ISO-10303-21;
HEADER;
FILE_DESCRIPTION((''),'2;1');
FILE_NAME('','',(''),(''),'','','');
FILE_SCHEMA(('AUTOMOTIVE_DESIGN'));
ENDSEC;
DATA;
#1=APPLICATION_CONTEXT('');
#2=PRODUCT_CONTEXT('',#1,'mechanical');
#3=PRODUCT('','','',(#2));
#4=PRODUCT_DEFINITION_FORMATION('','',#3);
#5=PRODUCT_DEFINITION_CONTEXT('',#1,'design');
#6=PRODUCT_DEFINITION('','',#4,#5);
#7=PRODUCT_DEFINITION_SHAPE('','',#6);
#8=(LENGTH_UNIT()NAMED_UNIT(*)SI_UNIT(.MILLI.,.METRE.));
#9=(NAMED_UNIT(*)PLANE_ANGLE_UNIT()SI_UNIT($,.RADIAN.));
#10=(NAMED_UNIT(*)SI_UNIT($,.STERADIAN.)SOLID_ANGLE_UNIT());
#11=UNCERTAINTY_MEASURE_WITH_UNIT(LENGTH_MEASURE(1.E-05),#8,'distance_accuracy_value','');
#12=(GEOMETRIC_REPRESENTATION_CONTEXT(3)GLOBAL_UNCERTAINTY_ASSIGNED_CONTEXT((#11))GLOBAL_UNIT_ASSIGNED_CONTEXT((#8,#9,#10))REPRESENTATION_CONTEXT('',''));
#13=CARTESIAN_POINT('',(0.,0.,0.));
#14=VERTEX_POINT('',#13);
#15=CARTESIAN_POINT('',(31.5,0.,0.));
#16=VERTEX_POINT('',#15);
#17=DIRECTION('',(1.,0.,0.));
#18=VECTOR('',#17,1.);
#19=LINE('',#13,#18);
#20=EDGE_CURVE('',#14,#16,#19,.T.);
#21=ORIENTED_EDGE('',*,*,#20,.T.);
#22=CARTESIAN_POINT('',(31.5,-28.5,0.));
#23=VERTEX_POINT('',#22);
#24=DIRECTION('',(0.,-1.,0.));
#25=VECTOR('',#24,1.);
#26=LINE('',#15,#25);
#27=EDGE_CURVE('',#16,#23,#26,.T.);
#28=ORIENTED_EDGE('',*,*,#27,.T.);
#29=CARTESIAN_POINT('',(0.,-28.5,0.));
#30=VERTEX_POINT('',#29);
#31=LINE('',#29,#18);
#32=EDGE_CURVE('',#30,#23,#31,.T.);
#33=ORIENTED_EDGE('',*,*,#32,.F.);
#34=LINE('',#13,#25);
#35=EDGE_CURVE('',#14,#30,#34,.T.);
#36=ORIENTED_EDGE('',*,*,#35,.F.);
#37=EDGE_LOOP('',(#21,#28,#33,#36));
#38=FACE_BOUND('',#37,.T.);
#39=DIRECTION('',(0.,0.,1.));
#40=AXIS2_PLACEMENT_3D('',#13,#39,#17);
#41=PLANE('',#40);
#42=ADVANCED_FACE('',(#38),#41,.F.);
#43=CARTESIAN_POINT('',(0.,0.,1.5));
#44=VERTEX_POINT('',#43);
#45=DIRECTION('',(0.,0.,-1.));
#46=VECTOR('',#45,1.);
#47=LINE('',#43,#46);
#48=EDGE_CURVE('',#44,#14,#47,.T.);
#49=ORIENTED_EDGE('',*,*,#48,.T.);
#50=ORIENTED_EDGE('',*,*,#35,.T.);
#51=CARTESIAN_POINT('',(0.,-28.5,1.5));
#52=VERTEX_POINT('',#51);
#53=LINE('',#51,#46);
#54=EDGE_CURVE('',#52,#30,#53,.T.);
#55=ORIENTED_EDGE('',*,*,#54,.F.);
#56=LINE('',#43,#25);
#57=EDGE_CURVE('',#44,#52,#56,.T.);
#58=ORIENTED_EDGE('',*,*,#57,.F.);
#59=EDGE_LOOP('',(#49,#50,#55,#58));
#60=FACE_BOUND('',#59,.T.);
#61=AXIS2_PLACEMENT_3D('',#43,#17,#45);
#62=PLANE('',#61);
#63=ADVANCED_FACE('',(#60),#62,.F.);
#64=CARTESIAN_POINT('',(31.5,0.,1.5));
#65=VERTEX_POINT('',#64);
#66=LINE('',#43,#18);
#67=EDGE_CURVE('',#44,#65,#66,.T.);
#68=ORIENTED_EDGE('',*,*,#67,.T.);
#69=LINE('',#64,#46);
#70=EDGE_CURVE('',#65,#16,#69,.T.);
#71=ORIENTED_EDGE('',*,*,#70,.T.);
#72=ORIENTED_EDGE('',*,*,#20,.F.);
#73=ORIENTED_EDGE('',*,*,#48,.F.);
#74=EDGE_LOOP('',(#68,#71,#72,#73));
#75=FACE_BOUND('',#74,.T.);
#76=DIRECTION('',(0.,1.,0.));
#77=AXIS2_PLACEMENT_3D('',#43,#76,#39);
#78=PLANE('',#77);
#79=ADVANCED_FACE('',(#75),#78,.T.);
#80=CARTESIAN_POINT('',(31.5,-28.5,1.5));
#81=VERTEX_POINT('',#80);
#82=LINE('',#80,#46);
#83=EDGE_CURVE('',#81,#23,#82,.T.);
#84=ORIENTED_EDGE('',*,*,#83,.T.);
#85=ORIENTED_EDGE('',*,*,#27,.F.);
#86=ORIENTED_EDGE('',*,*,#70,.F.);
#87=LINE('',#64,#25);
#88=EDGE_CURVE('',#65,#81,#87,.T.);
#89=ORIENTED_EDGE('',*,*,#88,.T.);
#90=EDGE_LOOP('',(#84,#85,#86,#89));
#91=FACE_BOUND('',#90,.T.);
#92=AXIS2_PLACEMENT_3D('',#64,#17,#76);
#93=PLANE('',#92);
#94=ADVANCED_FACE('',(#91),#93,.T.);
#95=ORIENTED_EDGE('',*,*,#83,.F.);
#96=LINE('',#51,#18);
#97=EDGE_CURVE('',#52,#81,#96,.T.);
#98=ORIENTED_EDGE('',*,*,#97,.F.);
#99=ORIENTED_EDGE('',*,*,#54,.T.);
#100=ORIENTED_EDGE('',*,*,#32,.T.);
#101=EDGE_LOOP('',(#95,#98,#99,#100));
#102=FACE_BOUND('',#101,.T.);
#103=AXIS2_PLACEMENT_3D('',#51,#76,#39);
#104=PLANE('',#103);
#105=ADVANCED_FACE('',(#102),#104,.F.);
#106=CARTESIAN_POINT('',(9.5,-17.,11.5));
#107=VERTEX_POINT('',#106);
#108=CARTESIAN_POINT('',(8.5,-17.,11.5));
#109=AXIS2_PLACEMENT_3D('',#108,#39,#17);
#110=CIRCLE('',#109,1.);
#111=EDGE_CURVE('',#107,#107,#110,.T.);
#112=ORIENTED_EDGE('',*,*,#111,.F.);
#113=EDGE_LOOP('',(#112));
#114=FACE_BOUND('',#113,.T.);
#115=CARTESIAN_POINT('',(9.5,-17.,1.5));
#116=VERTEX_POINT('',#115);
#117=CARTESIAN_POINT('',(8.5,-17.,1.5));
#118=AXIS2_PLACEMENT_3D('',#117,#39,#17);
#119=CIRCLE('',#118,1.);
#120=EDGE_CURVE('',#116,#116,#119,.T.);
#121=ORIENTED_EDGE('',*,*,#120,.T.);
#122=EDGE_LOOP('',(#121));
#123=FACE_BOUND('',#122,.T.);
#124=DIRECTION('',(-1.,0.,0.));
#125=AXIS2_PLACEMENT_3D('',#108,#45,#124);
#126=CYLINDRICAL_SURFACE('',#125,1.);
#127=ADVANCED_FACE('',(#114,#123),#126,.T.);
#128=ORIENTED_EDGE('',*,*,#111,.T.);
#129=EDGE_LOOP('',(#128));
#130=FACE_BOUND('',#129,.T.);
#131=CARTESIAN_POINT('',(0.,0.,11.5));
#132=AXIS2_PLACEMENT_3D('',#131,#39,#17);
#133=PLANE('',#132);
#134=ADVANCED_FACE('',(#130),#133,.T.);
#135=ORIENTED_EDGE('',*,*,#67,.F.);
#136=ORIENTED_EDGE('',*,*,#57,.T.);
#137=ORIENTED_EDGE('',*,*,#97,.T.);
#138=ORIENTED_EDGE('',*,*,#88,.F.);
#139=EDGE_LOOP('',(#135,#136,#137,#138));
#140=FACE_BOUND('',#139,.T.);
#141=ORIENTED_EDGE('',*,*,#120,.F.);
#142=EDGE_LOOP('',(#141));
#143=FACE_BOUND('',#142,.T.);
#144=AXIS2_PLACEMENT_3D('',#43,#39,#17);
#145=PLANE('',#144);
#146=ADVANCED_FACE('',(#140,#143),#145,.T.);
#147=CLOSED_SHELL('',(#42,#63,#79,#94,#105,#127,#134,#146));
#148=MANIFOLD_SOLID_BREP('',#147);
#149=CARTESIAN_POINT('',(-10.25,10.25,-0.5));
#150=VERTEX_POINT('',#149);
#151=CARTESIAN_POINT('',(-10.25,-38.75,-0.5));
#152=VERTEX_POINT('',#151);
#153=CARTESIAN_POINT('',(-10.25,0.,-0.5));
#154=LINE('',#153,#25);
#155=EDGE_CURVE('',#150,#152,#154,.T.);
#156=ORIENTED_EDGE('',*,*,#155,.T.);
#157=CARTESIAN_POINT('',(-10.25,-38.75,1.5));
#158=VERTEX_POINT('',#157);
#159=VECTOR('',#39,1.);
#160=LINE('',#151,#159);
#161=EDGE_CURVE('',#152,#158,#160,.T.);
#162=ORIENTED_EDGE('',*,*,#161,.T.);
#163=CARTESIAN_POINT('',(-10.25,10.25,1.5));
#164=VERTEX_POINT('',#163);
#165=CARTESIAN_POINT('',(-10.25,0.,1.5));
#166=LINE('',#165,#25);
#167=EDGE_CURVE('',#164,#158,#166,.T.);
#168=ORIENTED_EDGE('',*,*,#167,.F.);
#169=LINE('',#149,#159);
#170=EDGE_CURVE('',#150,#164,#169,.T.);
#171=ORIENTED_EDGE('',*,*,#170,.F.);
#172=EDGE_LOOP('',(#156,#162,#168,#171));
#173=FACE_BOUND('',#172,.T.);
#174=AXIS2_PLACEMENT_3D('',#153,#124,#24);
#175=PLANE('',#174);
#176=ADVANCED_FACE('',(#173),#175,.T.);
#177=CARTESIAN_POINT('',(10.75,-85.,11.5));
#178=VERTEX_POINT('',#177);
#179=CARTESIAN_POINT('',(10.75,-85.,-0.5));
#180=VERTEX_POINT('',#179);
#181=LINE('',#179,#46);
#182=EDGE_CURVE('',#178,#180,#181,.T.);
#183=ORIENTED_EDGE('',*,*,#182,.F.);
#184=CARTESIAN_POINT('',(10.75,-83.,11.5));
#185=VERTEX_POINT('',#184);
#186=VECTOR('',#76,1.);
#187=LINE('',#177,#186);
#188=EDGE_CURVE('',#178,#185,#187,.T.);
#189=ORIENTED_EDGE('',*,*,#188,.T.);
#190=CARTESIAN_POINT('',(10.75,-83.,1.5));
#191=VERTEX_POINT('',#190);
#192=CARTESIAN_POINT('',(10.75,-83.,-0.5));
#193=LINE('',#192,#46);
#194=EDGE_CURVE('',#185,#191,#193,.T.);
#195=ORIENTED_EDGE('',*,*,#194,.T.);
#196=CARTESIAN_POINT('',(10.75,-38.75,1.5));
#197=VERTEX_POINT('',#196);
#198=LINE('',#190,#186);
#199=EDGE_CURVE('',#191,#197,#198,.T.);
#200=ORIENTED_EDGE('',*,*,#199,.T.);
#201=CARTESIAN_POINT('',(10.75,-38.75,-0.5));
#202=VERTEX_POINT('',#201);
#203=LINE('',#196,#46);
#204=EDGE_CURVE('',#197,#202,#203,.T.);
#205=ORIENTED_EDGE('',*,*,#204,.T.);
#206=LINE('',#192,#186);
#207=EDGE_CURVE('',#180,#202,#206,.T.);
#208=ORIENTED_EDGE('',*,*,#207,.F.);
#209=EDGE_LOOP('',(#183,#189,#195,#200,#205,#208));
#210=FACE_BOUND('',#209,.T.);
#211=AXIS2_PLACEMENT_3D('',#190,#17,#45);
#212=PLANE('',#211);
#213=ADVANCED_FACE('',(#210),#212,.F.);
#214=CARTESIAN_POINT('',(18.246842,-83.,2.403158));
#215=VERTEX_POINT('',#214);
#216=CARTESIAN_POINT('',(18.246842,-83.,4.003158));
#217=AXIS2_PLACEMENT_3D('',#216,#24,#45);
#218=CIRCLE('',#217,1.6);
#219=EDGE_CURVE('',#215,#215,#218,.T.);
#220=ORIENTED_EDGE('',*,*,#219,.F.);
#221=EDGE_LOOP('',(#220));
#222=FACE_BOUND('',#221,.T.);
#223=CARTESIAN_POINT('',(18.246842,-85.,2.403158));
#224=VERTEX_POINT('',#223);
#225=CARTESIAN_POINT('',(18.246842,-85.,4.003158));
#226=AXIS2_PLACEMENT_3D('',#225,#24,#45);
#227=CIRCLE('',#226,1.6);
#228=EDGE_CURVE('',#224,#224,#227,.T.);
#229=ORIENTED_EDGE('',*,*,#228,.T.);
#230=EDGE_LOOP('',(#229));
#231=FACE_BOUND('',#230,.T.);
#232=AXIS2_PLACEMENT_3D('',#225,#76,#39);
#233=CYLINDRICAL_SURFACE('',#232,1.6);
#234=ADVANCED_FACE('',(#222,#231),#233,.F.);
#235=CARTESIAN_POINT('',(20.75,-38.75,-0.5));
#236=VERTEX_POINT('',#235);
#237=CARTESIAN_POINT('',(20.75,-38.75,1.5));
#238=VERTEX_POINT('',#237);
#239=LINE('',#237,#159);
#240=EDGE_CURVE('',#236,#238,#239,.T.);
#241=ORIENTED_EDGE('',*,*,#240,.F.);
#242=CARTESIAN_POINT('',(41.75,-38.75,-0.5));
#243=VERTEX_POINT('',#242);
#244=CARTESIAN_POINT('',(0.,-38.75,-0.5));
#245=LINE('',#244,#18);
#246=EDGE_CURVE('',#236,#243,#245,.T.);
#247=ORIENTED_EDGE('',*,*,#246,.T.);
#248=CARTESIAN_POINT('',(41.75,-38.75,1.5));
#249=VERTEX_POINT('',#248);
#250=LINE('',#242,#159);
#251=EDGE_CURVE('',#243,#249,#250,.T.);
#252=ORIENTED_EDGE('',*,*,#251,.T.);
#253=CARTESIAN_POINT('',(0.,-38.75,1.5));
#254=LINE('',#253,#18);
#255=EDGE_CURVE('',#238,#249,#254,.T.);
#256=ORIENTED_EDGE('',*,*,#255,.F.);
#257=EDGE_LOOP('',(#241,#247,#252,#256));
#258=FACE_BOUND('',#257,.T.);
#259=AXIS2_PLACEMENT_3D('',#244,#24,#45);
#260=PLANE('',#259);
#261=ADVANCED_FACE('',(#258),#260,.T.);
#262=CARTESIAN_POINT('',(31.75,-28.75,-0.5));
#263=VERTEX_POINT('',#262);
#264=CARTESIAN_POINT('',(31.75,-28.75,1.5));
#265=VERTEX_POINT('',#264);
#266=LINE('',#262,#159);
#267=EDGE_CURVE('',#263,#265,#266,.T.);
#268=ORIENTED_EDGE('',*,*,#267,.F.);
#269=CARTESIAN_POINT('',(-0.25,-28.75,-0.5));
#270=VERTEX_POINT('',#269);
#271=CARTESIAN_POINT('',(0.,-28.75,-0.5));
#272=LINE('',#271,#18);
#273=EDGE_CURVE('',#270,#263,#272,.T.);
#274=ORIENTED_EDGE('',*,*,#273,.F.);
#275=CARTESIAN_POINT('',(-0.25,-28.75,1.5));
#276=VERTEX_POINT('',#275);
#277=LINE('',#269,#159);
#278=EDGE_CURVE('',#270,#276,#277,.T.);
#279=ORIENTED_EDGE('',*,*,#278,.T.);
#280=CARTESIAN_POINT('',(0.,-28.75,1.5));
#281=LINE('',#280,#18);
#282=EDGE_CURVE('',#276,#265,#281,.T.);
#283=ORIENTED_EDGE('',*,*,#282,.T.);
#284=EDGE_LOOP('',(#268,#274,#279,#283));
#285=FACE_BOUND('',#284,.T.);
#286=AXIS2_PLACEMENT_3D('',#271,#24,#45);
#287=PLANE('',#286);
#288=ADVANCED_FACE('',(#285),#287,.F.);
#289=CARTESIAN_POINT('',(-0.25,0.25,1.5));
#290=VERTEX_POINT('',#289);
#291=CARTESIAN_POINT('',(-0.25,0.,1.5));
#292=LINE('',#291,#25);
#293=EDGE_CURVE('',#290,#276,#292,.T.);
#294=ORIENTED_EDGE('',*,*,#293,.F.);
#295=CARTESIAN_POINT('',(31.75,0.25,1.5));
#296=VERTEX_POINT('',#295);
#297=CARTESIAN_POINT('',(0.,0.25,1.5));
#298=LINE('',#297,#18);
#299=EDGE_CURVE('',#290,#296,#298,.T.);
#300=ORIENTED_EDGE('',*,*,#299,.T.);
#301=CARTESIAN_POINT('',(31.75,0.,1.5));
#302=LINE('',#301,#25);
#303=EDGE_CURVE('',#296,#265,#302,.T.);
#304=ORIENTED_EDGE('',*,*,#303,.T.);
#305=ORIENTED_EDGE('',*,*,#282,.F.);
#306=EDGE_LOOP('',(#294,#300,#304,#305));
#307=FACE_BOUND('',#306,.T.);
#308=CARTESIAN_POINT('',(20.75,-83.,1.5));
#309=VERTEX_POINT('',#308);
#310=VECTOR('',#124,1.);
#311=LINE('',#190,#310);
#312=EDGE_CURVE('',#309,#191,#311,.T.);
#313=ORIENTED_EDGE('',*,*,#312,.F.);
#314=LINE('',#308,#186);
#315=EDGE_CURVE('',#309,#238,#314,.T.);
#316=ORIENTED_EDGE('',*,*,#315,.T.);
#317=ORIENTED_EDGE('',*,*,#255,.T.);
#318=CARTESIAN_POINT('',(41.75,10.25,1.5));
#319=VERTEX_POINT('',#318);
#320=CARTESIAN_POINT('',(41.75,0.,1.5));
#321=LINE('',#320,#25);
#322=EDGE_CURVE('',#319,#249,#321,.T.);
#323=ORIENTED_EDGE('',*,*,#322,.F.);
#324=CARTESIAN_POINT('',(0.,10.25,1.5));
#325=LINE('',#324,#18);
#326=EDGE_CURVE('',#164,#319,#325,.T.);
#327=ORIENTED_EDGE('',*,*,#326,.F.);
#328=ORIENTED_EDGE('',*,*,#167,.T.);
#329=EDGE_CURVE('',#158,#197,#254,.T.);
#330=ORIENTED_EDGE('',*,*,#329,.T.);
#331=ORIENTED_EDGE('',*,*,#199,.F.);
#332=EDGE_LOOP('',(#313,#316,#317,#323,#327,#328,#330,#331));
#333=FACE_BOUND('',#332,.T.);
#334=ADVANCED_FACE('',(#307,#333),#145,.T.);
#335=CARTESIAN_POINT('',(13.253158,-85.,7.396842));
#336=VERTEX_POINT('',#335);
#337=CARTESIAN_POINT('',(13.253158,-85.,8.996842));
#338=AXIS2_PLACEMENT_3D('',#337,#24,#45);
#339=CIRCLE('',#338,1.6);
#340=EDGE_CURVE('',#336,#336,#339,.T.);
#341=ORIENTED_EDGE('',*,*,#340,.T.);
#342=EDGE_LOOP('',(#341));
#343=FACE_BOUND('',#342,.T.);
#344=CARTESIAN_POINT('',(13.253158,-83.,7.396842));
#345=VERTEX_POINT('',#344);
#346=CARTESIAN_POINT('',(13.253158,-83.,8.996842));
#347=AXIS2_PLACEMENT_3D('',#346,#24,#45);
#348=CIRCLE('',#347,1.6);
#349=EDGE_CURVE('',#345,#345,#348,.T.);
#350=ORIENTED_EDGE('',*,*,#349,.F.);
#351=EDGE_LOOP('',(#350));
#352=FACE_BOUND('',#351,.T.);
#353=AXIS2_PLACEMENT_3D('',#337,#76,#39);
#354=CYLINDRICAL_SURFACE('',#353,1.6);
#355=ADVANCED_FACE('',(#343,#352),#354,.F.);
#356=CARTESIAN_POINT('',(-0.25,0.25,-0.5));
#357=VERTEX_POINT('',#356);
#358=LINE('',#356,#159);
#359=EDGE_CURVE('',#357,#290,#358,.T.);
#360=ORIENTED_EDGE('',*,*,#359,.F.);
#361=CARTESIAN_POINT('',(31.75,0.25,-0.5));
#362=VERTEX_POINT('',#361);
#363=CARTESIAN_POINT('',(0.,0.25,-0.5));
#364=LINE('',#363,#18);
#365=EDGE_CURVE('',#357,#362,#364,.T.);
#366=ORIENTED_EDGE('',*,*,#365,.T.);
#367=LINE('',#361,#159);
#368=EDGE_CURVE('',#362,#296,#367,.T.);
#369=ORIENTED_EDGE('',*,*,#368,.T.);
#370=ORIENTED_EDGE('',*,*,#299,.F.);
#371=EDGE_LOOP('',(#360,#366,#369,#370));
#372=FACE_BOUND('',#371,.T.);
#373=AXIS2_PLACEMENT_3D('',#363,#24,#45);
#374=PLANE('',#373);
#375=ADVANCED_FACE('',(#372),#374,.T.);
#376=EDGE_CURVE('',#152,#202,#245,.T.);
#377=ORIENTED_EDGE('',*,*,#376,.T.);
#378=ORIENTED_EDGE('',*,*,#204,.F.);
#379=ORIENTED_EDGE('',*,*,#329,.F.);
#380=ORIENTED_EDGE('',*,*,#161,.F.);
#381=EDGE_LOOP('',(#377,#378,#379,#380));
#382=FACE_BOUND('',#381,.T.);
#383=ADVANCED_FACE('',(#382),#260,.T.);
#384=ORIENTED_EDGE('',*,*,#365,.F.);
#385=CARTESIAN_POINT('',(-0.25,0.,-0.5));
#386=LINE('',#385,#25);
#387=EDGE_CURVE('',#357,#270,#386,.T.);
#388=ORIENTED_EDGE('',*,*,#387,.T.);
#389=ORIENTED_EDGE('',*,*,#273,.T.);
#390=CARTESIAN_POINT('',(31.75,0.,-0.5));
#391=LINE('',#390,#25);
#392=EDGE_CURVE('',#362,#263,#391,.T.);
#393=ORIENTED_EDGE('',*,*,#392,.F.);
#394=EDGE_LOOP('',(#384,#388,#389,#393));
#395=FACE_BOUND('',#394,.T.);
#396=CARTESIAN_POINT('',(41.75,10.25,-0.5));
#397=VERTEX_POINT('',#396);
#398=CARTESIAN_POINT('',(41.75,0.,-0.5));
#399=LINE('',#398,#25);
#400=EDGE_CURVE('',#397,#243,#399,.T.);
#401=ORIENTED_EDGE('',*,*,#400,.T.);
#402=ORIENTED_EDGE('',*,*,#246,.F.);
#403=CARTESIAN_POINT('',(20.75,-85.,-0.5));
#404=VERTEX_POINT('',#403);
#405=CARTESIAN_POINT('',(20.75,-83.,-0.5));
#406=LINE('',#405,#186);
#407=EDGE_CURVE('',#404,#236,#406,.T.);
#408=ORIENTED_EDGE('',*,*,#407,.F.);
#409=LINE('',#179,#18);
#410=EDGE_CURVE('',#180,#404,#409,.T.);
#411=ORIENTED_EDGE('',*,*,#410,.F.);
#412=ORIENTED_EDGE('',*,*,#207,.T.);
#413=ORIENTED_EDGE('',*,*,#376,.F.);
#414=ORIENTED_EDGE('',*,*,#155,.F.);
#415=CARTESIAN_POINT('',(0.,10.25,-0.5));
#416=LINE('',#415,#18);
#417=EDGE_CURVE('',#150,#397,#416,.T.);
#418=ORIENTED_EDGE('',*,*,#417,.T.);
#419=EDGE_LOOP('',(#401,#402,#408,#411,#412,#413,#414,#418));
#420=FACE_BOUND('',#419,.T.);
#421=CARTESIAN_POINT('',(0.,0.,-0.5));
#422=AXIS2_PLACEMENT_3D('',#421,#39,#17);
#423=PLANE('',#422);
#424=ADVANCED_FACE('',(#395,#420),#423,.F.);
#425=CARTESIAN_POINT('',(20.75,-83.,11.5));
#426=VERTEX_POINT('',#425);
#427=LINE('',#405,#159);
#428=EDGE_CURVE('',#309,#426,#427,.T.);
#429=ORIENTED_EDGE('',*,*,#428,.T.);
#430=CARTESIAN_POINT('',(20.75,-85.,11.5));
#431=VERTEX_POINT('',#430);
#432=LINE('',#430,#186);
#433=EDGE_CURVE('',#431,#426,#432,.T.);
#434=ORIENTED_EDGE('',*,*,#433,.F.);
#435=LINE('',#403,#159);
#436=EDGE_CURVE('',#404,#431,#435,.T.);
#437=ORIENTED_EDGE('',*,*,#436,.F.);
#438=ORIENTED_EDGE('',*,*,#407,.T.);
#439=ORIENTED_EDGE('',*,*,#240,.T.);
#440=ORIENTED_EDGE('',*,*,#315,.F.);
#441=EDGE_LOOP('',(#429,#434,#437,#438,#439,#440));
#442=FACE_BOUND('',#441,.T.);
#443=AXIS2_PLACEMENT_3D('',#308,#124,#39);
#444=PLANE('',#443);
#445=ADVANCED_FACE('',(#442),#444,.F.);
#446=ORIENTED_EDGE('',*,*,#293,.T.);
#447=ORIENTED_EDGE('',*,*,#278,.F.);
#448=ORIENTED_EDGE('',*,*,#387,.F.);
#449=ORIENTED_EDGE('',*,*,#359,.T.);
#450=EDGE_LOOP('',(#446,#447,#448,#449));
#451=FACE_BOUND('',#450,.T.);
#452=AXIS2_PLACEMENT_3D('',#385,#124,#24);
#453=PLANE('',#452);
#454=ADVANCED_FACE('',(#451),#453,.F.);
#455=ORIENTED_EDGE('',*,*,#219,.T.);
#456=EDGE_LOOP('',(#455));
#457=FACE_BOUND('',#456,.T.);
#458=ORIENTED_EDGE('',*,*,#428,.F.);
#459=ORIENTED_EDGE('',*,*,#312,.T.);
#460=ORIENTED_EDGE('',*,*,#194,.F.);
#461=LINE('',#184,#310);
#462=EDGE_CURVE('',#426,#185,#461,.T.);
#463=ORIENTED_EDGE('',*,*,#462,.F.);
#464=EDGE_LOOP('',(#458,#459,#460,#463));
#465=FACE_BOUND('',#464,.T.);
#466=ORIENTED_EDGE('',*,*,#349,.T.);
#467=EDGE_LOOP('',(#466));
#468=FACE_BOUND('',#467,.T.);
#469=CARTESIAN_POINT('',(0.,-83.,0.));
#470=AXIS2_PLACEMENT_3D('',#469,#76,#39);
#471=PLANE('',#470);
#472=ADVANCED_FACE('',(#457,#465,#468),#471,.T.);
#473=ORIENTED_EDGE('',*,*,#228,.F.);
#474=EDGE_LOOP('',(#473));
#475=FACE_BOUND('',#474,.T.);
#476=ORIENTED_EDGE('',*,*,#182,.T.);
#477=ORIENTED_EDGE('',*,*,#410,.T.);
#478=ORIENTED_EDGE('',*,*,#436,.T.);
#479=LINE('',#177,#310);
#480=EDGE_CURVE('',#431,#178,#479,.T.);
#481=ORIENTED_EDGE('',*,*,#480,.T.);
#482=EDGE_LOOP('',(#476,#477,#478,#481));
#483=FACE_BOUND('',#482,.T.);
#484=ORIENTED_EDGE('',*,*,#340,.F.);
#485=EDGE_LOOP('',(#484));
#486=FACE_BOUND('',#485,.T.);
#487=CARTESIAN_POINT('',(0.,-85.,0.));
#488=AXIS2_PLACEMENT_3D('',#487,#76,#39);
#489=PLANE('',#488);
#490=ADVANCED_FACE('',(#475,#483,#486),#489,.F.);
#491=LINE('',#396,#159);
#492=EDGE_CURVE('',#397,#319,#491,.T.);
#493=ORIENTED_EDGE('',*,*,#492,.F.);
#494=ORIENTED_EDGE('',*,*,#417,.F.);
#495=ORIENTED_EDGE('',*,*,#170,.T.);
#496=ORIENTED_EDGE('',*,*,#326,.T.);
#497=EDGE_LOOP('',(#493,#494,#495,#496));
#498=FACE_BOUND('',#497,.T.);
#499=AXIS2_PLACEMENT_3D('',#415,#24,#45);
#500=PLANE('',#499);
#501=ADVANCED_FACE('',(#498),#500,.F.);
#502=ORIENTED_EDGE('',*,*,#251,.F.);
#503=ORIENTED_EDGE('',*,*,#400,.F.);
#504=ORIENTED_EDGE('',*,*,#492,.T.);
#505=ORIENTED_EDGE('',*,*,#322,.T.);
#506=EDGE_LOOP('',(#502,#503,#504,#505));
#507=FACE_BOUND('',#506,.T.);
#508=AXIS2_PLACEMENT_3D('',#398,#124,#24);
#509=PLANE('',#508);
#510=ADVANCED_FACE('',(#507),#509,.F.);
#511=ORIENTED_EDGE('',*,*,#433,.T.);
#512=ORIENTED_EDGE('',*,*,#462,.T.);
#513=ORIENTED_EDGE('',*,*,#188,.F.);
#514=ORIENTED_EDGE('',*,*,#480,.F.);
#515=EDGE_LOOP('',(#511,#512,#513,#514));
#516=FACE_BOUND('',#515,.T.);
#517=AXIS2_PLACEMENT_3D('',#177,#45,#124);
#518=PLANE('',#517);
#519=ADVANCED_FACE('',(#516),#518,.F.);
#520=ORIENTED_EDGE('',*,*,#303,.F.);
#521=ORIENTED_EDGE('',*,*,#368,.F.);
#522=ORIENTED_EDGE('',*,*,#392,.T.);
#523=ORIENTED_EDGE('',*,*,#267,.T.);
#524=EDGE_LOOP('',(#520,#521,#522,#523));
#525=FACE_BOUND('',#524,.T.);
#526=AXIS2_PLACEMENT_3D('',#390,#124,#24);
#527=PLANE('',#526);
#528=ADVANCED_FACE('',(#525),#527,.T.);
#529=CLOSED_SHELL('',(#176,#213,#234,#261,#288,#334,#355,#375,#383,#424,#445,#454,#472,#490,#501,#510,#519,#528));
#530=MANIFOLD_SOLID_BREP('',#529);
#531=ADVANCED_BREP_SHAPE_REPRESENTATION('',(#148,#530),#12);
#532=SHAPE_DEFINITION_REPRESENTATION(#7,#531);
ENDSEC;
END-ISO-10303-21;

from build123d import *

# Parameters (mm, degrees)
SKETCH1_W           = 31.5
SKETCH1_H           = 28.5
BOSS_EXTRUDE2_DEPTH = 1.5
SKETCH3_R           = 1
BOSS_EXTRUDE3_DEPTH = 10
SKETCH4_W           = 52
SKETCH4_H           = 49
SKETCH4_W_2         = 32
SKETCH4_H_2         = 29
BOSS_EXTRUDE4_DEPTH = 2
SKETCH6_W           = 10
SKETCH6_H           = 2
BOSS_EXTRUDE5_DEPTH = 44.25
SKETCH7_W           = 10
SKETCH7_H           = 12
SKETCH7_R           = 1.6
BOSS_EXTRUDE6_DEPTH = 2


with BuildPart() as part:
    # Sketch1 → Boss-Extrude2 (new body)
    with BuildSketch(Plane.XY):
        with Locations((15.75, -14.25)):
            Rectangle(SKETCH1_W, SKETCH1_H)
    extrude(amount=BOSS_EXTRUDE2_DEPTH)

    # Sketch3 → Boss-Extrude3 (add)
    with BuildSketch(Plane.XY.offset(1.5)):
        with Locations((8.5, -17)):
            Circle(SKETCH3_R)
    extrude(amount=BOSS_EXTRUDE3_DEPTH)


with BuildPart() as body_2:
    # Sketch4 → Boss-Extrude4 (new body)
    with BuildSketch(Plane.XY.offset(1.5)):
        with Locations((15.75, -14.25)):
            Rectangle(SKETCH4_W, SKETCH4_H)
        with Locations((15.75, -14.25)):
            Rectangle(SKETCH4_W_2, SKETCH4_H_2, mode=Mode.SUBTRACT)
    extrude(amount=-BOSS_EXTRUDE4_DEPTH)

    # Sketch6 → Boss-Extrude5 (add)
    with BuildSketch(Plane.XZ.offset(38.75)):
        with Locations((15.75, 0.5)):
            Rectangle(SKETCH6_W, SKETCH6_H)
    extrude(amount=BOSS_EXTRUDE5_DEPTH)

    # Sketch7 → Boss-Extrude6 (add)
    with BuildSketch(Plane.XZ.offset(83)):
        with Locations((15.75, 5.5)):
            Rectangle(SKETCH7_W, SKETCH7_H)
        with Locations(Location((13.253158005, 8.996841995, 0), (0, 0, 270))):
            Circle(SKETCH7_R, mode=Mode.SUBTRACT)
        with Locations(Location((18.246841995, 4.003158005, 0), (0, 0, 270))):
            Circle(SKETCH7_R, mode=Mode.SUBTRACT)
    extrude(amount=BOSS_EXTRUDE6_DEPTH)


solid = Compound([part.part, body_2.part])
